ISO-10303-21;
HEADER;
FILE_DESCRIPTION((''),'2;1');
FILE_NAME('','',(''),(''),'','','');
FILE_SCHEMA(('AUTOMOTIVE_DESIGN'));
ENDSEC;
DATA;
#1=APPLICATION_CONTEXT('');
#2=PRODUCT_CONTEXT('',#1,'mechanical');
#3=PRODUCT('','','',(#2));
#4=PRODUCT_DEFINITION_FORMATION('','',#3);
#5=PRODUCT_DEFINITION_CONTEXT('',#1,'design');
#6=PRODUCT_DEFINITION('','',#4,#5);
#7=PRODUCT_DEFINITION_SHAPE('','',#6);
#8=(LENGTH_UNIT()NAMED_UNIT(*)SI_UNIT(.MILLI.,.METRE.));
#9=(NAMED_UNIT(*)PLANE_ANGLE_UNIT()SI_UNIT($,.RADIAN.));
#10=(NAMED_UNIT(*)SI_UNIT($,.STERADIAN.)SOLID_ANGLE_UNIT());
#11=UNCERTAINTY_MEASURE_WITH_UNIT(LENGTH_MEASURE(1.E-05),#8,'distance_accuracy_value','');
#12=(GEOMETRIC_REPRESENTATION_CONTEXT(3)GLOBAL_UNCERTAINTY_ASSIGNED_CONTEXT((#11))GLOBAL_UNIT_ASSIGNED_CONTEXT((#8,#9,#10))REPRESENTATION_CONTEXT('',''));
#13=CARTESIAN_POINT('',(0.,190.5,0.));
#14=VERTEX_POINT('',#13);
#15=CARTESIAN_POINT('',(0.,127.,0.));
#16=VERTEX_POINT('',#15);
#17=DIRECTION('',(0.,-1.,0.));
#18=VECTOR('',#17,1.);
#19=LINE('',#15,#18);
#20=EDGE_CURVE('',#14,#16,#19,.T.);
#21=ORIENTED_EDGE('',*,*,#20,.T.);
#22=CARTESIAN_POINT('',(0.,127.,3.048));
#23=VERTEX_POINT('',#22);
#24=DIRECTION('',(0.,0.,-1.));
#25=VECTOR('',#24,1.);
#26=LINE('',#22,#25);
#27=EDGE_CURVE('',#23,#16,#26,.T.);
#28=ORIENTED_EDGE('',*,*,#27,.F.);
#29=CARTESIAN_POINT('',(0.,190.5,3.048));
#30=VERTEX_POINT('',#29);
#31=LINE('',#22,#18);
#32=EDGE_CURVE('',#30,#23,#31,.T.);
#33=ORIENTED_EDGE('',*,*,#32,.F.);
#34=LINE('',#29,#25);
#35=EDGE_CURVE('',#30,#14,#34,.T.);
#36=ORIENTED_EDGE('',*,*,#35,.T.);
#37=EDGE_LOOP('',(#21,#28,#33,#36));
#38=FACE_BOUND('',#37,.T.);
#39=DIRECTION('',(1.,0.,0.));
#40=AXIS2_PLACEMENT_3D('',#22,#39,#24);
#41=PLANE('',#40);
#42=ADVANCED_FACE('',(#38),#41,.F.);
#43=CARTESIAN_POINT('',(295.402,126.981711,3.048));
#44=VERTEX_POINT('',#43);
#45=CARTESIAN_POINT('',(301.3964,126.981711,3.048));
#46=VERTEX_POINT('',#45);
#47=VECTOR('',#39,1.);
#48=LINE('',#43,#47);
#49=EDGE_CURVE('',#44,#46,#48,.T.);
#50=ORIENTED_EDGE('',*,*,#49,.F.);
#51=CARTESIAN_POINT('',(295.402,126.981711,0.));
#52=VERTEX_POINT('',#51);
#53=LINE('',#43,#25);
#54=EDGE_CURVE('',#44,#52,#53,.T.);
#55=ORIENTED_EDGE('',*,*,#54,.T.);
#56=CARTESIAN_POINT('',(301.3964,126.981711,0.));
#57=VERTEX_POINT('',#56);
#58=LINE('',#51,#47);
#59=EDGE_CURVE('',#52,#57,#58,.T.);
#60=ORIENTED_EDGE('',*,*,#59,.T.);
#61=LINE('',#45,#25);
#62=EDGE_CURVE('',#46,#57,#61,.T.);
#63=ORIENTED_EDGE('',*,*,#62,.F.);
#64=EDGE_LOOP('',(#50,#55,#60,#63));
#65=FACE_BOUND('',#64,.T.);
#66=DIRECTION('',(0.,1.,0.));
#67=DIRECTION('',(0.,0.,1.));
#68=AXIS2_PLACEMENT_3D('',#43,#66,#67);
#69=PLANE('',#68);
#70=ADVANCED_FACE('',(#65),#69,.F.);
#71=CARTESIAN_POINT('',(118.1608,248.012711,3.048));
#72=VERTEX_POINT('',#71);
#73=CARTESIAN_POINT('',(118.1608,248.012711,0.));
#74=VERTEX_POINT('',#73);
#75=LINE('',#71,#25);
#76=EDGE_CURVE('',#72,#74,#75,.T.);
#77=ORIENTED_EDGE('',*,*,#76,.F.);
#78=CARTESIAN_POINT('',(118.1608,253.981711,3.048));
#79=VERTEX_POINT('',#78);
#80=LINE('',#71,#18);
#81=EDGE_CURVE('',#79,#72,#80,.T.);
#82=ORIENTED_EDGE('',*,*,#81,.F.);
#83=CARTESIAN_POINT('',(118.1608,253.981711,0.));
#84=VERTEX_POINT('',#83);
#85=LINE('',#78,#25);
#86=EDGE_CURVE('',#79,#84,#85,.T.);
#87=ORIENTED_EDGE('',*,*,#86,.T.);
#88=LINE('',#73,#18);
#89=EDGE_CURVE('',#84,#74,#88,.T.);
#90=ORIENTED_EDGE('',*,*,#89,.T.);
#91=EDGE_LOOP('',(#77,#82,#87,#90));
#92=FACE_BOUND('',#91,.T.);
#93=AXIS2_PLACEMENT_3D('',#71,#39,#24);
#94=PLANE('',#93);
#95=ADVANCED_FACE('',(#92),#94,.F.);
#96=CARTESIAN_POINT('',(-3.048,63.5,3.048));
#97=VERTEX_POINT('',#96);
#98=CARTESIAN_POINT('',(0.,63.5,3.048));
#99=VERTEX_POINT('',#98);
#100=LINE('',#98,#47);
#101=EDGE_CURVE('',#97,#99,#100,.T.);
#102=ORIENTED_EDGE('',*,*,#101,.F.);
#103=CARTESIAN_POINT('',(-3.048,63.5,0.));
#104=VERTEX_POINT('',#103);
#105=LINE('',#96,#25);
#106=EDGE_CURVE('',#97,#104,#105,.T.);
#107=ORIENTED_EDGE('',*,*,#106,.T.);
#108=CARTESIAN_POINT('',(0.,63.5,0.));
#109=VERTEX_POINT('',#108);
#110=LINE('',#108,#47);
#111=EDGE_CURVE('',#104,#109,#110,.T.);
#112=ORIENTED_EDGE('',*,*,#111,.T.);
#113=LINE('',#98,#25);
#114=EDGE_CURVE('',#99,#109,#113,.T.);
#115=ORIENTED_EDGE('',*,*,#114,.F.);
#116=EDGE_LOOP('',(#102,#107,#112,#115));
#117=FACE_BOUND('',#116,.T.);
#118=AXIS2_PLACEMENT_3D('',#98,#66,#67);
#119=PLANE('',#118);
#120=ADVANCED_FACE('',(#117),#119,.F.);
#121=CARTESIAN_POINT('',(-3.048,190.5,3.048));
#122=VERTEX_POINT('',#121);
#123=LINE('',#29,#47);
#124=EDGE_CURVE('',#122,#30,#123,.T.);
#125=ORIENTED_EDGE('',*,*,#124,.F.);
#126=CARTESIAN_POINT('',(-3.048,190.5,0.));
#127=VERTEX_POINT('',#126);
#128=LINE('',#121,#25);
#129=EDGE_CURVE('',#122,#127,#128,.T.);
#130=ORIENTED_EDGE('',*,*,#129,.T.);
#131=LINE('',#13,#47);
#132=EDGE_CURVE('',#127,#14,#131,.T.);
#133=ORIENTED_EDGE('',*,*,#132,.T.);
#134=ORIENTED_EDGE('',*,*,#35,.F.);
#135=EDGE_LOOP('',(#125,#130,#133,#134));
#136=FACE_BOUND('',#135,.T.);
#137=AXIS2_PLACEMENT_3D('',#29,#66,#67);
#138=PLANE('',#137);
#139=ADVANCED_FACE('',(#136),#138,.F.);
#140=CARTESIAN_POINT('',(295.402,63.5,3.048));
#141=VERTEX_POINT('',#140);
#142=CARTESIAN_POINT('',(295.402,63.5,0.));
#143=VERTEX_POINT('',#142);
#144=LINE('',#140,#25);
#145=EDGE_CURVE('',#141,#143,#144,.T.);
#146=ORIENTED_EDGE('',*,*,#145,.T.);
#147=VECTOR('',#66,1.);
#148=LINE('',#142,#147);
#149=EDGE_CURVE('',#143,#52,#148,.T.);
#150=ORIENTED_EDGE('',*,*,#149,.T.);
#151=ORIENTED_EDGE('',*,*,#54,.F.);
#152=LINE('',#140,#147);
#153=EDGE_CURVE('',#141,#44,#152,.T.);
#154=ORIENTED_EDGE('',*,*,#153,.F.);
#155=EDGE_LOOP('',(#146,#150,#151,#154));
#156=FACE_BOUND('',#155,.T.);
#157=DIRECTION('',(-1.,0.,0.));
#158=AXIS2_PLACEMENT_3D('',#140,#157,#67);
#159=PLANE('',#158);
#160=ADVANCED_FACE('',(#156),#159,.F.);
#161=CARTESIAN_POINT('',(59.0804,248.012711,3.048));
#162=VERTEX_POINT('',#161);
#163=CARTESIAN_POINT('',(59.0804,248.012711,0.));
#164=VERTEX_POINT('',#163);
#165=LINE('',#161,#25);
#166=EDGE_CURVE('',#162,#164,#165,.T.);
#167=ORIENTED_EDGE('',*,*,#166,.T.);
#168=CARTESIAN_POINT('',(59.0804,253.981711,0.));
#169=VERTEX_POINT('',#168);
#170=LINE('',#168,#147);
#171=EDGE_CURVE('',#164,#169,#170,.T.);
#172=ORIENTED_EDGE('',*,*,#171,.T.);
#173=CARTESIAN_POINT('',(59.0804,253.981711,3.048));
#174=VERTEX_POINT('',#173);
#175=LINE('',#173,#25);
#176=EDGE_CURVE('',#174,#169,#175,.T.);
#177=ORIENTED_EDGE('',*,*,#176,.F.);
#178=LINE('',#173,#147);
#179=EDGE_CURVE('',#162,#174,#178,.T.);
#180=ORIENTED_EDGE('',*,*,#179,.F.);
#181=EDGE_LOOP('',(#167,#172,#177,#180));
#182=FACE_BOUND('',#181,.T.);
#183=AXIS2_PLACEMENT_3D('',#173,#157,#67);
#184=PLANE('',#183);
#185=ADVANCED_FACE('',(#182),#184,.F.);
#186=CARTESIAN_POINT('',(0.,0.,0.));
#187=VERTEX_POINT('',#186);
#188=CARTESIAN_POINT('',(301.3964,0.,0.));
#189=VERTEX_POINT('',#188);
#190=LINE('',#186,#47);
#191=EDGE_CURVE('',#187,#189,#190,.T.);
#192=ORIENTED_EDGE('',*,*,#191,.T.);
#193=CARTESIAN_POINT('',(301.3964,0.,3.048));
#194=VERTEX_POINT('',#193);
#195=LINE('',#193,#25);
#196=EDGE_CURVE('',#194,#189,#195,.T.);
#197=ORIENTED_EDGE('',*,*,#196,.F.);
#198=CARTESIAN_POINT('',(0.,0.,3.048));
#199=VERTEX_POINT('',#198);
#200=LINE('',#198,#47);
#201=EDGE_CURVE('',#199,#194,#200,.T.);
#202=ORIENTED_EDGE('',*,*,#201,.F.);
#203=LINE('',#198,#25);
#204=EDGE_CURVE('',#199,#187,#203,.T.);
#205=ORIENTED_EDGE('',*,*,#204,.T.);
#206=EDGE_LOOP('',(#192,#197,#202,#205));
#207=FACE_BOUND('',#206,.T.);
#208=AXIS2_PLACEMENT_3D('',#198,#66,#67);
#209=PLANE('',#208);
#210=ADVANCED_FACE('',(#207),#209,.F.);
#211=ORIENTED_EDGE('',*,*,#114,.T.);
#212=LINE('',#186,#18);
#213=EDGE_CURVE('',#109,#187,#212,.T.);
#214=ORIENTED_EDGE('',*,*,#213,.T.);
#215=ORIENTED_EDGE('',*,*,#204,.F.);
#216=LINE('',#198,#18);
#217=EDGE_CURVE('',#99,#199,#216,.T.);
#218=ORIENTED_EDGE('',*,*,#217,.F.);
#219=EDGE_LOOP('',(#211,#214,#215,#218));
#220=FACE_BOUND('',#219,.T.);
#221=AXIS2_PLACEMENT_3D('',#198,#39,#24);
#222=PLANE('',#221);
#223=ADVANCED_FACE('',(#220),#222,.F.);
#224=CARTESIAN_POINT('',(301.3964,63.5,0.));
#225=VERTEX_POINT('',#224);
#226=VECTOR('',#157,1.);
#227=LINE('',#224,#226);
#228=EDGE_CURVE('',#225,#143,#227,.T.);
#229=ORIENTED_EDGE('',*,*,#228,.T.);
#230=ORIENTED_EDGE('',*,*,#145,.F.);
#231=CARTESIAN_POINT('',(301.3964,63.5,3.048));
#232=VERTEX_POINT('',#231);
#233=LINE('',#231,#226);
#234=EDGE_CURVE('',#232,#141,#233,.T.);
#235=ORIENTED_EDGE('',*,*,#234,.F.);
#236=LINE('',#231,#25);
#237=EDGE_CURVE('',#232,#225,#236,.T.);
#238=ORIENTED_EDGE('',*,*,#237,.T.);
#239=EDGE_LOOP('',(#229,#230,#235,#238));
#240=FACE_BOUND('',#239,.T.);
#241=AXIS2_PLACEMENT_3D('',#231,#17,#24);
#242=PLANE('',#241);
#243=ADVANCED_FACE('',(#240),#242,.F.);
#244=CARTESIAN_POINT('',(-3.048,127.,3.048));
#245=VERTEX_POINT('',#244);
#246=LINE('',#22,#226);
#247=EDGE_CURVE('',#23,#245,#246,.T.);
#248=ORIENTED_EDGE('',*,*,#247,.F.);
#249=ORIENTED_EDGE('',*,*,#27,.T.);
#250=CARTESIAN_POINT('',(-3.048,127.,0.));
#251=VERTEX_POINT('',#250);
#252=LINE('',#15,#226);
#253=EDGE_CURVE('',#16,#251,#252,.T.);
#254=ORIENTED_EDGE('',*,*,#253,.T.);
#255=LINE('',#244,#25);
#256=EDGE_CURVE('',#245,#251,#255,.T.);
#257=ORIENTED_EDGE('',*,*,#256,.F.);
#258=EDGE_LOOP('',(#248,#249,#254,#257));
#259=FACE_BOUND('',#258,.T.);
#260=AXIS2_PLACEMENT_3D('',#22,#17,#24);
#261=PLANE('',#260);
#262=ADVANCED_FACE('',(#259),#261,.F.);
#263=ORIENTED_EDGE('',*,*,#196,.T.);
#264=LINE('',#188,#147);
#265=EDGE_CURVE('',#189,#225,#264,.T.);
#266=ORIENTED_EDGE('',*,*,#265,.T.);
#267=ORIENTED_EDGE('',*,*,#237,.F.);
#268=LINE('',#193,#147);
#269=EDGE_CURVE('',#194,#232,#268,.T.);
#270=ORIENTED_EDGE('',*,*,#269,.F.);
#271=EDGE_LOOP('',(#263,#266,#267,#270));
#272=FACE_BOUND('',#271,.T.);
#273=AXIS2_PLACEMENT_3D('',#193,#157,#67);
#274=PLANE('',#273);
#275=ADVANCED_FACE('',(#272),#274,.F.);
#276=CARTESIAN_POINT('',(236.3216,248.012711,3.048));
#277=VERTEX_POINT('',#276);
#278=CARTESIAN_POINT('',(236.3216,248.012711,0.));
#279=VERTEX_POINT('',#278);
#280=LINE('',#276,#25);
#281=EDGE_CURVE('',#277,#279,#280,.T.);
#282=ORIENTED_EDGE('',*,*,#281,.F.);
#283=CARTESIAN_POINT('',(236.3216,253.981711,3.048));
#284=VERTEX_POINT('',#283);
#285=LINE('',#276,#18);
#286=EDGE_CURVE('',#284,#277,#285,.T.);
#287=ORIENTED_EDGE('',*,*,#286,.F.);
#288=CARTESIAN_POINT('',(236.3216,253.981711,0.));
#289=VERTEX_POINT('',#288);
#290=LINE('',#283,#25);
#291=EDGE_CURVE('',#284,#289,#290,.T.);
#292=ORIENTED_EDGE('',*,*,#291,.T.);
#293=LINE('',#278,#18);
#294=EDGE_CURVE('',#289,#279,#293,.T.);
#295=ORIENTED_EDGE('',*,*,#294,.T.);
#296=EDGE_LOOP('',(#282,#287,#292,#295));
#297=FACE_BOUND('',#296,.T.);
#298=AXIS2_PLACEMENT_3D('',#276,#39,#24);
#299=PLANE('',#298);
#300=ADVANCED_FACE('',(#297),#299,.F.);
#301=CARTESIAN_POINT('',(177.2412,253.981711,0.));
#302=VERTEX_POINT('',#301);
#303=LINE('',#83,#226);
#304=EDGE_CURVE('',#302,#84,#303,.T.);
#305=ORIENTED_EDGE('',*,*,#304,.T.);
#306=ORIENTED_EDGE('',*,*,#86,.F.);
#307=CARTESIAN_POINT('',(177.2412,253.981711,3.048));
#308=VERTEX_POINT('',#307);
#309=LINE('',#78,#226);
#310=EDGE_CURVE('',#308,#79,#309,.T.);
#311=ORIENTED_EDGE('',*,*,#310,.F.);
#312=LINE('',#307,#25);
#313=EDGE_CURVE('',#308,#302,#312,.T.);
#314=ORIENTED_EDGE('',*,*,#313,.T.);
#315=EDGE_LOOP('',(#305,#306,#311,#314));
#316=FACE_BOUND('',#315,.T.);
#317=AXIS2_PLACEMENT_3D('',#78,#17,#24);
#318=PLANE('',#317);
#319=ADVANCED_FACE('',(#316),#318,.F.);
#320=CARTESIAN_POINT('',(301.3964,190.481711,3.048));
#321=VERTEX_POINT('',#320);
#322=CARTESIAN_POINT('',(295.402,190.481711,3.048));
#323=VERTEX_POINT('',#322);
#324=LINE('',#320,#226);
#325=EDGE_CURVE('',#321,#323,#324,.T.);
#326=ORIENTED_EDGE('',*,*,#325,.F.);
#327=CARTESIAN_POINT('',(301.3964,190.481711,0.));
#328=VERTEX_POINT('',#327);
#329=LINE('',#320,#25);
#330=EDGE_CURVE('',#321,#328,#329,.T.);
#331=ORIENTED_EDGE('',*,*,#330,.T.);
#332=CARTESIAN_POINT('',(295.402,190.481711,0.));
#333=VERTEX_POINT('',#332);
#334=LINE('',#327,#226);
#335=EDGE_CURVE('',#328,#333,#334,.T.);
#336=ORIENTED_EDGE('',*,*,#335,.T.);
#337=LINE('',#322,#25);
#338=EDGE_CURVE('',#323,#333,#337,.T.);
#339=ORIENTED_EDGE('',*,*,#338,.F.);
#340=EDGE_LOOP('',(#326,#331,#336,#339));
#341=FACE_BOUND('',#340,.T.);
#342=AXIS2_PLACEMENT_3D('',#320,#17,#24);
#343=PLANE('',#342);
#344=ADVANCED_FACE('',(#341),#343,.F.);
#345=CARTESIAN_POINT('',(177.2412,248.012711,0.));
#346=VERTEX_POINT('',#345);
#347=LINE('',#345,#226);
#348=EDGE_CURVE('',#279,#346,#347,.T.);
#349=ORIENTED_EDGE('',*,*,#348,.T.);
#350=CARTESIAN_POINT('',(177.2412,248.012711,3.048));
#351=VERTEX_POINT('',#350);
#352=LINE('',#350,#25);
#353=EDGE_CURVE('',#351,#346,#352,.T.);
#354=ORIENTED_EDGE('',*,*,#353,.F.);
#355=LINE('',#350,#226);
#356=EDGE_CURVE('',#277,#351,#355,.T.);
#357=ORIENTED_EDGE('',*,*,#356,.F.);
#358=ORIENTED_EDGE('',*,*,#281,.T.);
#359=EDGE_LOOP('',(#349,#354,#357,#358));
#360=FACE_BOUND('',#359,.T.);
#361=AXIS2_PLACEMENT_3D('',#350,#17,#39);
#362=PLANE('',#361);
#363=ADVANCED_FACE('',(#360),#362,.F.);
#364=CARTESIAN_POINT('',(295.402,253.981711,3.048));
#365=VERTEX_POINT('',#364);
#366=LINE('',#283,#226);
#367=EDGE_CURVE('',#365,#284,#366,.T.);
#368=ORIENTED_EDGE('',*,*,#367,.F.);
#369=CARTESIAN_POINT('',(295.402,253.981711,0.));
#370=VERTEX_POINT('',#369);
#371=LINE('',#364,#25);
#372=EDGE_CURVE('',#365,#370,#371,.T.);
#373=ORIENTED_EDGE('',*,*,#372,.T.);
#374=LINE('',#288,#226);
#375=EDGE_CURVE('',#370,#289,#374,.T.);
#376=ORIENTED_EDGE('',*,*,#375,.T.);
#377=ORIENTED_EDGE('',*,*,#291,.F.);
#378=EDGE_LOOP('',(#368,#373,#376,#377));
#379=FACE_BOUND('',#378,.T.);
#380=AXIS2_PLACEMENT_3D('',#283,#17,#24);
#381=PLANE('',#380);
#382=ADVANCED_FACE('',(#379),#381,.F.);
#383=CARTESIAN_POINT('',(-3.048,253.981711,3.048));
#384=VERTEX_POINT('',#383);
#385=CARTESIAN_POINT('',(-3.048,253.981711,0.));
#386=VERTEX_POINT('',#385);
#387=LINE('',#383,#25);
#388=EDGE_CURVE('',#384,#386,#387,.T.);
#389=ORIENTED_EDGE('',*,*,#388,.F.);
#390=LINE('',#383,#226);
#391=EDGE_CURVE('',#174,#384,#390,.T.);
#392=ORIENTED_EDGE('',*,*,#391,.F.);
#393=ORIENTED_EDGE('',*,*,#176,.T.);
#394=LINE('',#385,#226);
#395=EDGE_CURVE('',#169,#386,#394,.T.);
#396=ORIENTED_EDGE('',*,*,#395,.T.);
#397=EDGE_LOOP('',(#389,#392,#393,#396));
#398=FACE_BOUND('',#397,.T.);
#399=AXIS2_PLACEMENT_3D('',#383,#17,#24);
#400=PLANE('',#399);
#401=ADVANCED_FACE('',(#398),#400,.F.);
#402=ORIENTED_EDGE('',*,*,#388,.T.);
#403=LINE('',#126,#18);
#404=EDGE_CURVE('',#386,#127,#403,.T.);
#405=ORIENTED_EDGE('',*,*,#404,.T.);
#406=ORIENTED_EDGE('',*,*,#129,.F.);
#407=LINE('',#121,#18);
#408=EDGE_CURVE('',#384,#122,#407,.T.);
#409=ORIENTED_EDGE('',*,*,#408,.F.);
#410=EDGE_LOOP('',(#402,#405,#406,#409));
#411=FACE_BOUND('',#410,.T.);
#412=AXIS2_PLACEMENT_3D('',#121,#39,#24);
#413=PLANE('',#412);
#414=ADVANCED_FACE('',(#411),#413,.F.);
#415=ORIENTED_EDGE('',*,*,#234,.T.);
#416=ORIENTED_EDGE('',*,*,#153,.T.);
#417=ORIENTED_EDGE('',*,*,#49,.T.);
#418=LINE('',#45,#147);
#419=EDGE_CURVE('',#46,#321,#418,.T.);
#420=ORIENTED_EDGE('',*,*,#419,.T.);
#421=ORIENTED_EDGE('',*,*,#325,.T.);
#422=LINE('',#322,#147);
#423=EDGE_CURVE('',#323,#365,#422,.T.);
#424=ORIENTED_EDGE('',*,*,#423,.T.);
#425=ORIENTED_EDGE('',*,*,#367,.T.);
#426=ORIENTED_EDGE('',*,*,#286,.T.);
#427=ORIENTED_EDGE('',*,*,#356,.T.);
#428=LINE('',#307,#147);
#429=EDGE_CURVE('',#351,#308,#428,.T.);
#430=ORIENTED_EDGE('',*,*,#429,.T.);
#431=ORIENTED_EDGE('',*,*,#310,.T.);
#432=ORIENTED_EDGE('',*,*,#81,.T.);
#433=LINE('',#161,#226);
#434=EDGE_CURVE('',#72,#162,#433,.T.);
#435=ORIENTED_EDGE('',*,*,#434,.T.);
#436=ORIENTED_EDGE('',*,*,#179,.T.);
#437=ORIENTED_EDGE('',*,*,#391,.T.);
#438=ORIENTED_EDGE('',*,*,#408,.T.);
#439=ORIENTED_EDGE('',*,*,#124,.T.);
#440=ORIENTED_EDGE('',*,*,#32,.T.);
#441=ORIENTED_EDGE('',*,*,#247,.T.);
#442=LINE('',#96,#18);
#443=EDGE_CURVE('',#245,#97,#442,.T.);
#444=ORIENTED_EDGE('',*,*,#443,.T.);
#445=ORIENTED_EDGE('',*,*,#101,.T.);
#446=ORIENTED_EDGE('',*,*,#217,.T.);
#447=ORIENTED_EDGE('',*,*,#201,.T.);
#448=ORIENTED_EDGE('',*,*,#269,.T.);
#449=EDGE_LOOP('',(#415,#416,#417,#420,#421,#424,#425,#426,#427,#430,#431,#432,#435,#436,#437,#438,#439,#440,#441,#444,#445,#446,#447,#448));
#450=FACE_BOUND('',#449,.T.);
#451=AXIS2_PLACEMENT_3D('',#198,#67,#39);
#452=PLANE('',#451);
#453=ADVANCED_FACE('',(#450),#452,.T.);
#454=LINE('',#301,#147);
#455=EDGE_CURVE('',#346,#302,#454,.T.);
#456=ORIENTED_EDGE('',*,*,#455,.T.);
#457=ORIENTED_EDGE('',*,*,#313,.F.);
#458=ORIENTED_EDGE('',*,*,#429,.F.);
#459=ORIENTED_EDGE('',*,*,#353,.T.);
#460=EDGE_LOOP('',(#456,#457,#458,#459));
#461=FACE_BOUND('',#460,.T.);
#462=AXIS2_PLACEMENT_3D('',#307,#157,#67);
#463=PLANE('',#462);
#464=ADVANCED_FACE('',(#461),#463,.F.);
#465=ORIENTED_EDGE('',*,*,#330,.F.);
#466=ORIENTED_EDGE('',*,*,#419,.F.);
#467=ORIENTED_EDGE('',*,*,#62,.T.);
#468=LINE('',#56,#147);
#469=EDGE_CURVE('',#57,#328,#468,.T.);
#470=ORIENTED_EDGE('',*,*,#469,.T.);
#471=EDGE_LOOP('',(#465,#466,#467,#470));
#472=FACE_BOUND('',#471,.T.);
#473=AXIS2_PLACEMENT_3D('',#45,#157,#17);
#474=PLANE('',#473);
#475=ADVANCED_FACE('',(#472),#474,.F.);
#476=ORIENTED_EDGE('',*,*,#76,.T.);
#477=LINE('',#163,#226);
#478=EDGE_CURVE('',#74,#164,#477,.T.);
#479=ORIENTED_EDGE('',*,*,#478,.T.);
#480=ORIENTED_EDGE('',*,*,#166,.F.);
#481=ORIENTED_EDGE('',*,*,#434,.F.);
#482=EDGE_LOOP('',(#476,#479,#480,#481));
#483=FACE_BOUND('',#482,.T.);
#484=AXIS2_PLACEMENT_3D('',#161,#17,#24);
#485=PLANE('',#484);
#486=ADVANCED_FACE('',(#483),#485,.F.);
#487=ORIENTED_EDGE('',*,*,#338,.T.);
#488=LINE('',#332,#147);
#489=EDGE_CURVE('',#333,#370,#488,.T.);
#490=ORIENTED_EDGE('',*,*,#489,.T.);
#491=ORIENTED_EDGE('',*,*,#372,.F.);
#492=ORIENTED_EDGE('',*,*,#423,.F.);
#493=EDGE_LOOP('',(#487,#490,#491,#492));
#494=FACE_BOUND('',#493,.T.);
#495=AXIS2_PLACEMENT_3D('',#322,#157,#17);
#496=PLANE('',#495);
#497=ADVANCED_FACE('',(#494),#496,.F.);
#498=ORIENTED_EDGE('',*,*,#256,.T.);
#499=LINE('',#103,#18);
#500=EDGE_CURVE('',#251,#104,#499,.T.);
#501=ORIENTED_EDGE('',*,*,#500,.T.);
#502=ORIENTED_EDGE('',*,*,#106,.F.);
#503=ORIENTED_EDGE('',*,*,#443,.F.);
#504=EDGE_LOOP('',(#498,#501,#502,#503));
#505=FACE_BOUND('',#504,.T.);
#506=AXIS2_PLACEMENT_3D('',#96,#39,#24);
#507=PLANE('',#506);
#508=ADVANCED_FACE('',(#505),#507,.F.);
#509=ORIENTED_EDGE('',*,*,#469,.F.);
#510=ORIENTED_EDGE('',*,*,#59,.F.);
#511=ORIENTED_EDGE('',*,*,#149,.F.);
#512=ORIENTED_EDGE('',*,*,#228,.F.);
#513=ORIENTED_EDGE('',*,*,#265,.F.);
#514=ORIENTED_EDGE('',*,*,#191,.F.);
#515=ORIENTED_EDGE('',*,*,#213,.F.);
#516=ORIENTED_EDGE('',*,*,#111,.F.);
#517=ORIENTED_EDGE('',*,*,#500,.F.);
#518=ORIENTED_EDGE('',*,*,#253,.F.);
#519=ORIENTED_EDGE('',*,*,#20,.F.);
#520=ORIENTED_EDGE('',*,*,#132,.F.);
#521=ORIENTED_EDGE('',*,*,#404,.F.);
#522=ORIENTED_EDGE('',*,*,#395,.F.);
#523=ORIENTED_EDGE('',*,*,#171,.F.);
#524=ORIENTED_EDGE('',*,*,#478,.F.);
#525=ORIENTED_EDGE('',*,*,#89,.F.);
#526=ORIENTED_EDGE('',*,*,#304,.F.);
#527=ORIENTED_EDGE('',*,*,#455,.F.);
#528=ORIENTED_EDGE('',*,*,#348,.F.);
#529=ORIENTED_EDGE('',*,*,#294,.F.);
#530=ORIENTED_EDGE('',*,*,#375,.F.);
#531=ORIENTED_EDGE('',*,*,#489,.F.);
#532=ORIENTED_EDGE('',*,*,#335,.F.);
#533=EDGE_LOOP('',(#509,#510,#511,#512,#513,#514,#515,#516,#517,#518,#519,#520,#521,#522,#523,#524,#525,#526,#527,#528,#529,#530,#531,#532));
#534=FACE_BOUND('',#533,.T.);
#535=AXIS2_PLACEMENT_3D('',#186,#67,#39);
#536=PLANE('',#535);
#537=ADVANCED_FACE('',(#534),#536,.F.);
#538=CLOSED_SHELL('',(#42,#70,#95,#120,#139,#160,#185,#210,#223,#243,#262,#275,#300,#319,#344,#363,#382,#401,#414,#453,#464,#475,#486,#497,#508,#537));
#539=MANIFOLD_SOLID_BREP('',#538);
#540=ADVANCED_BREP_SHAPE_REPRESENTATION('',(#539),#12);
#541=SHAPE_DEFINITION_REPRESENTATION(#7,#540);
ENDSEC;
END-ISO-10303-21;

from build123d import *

# Parameters (mm, degrees)
BOSS_EXTRUDE1_DEPTH = 3.048


with BuildPart() as part:
    # Sketch1 → Boss-Extrude1 (new body)
    with BuildSketch(Plane.XY):
        Polygon((-3.048, 63.5), (-3.048, 127), (0, 127), (0, 190.5), (-3.048, 190.5), (-3.048, 253.981711342), (59.0804, 253.981711342), (59.0804, 248.012711342), (118.1608, 248.012711342), (118.1608, 253.981711342), (177.2412, 253.981711342), (177.2412, 248.012711342), (236.3216, 248.012711342), (236.3216, 253.981711342), (295.402, 253.981711342), (295.402, 190.481711342), (301.3964, 190.481711342), (301.3964, 126.981711342), (295.402, 126.981711342), (295.402, 63.5), (301.3964, 63.5), (301.3964, 0), (0, 0), (0, 63.5), align=None)
    extrude(amount=BOSS_EXTRUDE1_DEPTH)


solid = part.part
